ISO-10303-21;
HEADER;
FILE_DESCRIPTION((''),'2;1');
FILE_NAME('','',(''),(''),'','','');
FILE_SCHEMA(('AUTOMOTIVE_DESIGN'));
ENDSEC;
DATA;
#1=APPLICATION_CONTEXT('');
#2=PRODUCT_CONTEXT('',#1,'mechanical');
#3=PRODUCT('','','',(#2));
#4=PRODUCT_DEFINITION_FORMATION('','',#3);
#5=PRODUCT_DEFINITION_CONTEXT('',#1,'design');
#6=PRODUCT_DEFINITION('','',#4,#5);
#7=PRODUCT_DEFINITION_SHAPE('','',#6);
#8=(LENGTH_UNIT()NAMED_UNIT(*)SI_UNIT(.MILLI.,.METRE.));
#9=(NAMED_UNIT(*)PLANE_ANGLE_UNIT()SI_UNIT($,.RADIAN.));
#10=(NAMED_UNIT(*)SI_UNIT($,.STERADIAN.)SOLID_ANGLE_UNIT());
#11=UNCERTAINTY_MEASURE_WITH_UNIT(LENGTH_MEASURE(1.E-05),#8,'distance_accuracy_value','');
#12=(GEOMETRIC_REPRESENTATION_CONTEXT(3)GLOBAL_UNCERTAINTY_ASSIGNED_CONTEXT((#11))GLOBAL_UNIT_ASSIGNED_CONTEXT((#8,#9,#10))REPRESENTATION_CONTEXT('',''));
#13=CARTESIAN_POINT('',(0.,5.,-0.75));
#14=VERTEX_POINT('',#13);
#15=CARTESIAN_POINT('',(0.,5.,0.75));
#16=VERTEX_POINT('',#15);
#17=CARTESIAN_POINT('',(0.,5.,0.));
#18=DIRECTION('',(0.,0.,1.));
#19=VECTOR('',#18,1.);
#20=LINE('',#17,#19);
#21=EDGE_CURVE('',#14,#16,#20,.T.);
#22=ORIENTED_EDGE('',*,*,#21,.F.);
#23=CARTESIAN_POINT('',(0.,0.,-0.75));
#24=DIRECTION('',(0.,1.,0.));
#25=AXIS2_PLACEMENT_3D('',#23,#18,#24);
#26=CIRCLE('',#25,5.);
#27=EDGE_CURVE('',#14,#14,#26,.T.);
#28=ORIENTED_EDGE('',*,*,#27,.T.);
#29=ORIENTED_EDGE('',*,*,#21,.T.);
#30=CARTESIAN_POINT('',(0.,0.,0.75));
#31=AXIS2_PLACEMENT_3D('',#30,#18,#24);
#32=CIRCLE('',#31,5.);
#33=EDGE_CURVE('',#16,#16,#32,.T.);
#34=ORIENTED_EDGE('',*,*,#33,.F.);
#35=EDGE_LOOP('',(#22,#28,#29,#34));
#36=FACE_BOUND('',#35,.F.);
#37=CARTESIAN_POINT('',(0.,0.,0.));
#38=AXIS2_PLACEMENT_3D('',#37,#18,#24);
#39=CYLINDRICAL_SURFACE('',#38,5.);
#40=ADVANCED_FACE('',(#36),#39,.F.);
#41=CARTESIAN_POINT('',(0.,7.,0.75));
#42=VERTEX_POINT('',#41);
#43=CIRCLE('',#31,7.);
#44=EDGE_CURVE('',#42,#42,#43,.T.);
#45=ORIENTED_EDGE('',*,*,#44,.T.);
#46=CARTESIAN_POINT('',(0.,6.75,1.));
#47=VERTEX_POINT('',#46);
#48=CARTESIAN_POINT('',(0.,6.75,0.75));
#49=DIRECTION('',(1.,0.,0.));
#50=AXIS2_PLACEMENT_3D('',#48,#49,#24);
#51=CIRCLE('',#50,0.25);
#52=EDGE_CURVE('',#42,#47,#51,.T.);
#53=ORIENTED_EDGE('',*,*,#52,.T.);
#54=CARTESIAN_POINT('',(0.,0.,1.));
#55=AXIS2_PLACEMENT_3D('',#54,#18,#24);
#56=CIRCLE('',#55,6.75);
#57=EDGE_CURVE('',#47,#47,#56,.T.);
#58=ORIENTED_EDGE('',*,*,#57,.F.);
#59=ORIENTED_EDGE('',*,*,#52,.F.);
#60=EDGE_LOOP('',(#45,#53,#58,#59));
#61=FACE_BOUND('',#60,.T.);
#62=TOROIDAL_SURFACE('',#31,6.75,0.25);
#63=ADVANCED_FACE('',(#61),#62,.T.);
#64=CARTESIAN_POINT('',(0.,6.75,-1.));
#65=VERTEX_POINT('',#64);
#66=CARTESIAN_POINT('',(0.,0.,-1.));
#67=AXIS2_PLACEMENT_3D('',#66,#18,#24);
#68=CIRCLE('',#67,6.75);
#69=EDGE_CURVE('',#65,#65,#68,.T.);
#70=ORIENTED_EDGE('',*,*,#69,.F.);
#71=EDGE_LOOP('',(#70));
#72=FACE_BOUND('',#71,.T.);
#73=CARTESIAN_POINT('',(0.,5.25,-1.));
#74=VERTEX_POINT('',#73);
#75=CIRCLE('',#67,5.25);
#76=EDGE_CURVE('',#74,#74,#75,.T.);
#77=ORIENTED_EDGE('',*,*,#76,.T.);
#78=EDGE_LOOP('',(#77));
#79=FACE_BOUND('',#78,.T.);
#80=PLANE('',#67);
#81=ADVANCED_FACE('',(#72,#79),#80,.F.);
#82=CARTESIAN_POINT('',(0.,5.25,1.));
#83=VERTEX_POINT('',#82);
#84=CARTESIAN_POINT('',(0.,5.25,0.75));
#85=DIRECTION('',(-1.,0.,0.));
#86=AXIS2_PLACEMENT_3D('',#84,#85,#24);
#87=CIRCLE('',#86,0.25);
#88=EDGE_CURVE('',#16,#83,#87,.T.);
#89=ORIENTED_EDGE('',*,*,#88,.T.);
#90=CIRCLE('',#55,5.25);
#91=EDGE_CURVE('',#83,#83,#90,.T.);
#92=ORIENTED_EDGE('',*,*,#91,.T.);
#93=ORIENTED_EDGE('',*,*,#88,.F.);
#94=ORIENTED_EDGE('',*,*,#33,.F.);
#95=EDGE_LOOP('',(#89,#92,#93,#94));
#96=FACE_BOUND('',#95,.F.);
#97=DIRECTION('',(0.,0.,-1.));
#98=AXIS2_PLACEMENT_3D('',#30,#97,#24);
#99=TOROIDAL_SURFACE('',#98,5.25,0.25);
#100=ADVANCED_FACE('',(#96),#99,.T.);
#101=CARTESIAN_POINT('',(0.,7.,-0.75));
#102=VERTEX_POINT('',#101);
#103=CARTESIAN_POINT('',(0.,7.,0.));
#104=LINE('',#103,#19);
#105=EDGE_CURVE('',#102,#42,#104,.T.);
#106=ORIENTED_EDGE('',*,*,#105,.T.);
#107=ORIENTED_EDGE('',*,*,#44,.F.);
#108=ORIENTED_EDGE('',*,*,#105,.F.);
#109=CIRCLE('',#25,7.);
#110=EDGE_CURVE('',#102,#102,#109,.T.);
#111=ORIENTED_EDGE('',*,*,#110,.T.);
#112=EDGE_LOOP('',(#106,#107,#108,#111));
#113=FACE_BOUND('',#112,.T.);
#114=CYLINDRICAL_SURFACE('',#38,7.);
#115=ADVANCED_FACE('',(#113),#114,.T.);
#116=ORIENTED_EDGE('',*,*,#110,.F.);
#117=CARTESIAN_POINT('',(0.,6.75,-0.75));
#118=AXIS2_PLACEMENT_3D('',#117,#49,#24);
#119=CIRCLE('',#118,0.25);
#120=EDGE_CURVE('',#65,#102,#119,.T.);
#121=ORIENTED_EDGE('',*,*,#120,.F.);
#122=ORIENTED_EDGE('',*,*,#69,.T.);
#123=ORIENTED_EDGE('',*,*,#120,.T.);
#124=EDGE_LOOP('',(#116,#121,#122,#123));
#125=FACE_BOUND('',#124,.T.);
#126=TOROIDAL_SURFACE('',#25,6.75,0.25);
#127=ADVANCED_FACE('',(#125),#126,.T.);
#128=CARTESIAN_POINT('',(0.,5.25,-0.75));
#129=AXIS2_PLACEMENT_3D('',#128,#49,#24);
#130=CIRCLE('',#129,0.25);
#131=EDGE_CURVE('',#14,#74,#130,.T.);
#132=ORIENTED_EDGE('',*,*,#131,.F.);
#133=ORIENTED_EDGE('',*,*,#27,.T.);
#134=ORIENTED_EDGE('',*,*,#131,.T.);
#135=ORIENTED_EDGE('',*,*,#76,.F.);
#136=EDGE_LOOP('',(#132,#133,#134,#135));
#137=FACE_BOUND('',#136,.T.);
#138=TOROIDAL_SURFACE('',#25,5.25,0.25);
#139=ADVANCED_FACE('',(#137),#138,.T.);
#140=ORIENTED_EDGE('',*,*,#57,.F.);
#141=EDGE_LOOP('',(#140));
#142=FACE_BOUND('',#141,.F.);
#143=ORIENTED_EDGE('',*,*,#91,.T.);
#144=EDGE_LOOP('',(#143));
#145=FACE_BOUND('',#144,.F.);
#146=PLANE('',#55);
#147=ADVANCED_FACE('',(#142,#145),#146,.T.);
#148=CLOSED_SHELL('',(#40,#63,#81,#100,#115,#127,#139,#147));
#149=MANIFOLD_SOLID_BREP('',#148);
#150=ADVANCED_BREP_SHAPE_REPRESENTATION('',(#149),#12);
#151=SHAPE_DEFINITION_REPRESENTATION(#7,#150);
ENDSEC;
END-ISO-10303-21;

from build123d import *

# Parameters (mm, degrees)
F1_W = 2
F1_H = 2
F3_R = 0.25


with BuildPart() as f2:
    # F1 (on Right) → F2 (revolve)
    with BuildSketch(Plane.YZ):
        with Locations((6, 0)):
            Rectangle(F1_W, F1_H)
    revolve(axis=Axis((0, 0, 8.067548), (0, 0, 1)))

    # F3
    f3_edges = [f2.edges().sort_by_distance(p)[0] for p in [
        (0, -7, 1),
        (0, -5, 1),
        (0, -7, -1),
        (0, -5, -1),
    ]]
    fillet(f3_edges, radius=F3_R)


solid = f2.part
